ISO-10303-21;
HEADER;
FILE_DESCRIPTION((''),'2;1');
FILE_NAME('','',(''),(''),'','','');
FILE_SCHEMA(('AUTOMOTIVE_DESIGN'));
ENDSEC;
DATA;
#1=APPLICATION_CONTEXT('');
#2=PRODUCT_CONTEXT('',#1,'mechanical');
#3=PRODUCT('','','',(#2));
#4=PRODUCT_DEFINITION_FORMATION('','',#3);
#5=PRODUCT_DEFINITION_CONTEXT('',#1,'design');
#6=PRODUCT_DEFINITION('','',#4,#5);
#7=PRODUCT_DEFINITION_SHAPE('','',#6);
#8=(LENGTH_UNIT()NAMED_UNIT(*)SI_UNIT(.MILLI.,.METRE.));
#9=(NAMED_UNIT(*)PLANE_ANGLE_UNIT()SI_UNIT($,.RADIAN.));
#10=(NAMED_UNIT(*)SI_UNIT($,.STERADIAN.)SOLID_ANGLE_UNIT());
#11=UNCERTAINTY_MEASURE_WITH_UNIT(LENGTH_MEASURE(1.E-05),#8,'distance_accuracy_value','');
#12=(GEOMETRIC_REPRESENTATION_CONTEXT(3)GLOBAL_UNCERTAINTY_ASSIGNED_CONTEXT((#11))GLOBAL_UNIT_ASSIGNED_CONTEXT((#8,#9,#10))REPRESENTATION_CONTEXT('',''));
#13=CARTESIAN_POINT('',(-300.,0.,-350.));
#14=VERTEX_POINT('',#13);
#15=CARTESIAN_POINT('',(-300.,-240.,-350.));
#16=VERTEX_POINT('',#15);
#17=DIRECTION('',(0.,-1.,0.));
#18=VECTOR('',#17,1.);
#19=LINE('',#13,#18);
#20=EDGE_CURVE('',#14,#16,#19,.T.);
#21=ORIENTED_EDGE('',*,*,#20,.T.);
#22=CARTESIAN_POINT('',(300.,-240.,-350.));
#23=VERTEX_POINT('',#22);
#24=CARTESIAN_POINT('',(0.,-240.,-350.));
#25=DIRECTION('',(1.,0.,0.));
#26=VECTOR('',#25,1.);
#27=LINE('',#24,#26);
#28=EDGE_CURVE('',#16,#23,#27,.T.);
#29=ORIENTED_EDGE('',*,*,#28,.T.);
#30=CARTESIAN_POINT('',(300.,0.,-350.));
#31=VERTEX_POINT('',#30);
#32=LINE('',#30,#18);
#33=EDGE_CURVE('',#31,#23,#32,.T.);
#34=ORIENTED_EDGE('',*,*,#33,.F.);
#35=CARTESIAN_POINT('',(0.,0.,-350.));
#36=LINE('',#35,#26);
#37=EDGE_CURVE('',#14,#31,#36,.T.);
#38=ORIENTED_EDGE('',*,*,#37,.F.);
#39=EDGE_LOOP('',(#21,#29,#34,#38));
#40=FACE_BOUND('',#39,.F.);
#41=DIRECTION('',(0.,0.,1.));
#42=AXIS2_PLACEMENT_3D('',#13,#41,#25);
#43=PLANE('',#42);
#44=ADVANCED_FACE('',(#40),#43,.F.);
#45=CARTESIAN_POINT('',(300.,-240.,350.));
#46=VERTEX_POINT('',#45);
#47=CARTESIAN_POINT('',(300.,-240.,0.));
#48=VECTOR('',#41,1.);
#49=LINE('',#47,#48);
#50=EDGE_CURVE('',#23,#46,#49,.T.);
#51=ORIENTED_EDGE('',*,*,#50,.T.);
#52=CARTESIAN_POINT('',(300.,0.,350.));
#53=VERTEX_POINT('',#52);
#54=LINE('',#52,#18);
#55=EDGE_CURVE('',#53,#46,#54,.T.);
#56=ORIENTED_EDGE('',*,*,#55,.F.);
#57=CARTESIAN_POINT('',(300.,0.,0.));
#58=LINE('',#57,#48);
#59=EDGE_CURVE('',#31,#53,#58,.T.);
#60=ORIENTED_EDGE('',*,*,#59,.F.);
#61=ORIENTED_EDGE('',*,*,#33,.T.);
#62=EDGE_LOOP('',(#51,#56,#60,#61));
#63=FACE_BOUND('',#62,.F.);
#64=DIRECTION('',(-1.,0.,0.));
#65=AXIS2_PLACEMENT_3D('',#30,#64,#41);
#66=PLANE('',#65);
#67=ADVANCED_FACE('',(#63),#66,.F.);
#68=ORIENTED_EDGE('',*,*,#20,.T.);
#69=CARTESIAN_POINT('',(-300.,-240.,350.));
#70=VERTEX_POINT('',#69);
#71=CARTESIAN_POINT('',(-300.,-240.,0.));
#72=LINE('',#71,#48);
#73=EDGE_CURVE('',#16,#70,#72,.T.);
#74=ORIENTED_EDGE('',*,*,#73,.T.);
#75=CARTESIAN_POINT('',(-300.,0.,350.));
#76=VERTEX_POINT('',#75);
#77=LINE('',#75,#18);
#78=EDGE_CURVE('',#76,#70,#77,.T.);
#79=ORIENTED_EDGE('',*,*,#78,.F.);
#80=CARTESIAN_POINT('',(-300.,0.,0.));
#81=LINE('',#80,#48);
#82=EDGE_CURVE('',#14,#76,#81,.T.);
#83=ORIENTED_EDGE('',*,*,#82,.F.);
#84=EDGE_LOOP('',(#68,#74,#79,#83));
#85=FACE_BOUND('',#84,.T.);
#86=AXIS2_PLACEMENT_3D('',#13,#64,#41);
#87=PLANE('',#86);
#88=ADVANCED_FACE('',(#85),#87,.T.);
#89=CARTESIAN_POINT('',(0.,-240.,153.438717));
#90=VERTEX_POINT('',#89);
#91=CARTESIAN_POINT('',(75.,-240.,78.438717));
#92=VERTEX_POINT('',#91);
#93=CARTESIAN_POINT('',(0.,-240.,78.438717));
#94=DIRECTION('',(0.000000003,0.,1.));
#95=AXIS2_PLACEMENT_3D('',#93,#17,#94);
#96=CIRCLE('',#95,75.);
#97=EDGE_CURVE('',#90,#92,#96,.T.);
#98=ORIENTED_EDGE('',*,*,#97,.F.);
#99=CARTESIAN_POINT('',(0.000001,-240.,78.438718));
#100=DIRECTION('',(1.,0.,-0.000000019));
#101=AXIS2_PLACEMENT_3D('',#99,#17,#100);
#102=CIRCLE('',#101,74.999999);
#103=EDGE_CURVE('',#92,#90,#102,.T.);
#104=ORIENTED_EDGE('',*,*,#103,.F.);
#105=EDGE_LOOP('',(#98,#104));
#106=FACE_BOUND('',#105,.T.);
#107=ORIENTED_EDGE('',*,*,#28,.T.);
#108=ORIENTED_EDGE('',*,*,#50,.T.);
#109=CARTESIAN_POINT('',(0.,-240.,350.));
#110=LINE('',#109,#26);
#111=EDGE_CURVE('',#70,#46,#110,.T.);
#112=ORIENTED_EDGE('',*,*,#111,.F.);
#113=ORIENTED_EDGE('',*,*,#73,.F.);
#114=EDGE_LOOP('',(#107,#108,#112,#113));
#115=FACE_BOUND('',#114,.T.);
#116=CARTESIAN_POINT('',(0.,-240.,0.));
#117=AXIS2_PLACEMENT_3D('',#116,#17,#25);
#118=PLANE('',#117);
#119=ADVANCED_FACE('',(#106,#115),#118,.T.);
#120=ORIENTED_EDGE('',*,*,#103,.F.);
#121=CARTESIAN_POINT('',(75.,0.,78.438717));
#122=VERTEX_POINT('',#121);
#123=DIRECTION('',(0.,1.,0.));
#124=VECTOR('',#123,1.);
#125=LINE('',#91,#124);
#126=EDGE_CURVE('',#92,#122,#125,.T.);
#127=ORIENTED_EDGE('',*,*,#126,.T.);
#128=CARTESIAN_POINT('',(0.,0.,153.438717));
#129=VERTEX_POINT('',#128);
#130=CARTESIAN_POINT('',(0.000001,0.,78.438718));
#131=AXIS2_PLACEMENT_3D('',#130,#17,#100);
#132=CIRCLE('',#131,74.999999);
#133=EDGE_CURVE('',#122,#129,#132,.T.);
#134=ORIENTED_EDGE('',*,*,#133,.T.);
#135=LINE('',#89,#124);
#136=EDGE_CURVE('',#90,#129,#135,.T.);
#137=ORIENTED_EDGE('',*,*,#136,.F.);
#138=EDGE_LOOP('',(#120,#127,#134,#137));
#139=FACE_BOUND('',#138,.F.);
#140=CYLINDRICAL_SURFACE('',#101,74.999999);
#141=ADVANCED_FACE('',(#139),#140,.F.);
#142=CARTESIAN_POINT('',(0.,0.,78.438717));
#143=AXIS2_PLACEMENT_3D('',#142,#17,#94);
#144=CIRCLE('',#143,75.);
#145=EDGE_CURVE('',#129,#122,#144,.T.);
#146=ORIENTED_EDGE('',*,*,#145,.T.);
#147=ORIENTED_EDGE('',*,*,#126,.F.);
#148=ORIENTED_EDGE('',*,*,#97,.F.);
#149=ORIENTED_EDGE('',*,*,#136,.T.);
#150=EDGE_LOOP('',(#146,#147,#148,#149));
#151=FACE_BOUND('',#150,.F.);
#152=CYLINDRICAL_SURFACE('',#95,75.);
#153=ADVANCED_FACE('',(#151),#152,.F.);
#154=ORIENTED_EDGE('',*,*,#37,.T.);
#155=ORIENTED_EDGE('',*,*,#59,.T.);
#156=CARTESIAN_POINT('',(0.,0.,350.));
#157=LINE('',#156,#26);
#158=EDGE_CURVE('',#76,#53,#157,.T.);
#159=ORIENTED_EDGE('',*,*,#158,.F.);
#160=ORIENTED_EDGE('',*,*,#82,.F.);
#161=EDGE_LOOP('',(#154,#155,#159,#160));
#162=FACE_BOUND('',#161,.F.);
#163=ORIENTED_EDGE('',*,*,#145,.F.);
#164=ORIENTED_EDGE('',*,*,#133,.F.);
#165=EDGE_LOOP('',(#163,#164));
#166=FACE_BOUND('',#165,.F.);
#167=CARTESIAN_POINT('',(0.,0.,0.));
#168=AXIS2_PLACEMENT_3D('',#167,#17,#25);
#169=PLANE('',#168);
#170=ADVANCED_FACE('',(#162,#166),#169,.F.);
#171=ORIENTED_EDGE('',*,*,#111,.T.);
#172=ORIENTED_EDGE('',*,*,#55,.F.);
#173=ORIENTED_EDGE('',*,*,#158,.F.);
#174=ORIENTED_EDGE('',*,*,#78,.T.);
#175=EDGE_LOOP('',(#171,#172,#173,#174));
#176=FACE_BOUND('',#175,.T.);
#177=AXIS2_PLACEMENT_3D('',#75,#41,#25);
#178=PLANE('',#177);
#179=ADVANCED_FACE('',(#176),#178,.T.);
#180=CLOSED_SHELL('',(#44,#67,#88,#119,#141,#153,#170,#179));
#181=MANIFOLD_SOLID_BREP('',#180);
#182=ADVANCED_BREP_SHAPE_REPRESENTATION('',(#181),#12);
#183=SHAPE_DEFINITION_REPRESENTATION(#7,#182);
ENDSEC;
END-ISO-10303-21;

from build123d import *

# Parameters (mm, degrees)
F0_W     = 600
F0_H     = 700
F1_DEPTH = 240
F4_DEPTH = 240.001


with BuildPart() as f1:
    # F0 (on Front) → F1 (new body)
    with BuildSketch(Plane.XZ):
        Rectangle(F0_W, F0_H)
    extrude(amount=F1_DEPTH)

    # F3 (on face) → F4 (cut, through all)
    with BuildSketch(Plane.XZ.offset(240)):
        with BuildLine():
            ThreePointArc((0, 153.438717), (-53.033009, 25.405708), (75, 78.438717))
            ThreePointArc((75, 78.438717), (53.033009, 131.471726), (0, 153.438717))
        make_face()
    extrude(amount=-F4_DEPTH, mode=Mode.SUBTRACT)


solid = f1.part
